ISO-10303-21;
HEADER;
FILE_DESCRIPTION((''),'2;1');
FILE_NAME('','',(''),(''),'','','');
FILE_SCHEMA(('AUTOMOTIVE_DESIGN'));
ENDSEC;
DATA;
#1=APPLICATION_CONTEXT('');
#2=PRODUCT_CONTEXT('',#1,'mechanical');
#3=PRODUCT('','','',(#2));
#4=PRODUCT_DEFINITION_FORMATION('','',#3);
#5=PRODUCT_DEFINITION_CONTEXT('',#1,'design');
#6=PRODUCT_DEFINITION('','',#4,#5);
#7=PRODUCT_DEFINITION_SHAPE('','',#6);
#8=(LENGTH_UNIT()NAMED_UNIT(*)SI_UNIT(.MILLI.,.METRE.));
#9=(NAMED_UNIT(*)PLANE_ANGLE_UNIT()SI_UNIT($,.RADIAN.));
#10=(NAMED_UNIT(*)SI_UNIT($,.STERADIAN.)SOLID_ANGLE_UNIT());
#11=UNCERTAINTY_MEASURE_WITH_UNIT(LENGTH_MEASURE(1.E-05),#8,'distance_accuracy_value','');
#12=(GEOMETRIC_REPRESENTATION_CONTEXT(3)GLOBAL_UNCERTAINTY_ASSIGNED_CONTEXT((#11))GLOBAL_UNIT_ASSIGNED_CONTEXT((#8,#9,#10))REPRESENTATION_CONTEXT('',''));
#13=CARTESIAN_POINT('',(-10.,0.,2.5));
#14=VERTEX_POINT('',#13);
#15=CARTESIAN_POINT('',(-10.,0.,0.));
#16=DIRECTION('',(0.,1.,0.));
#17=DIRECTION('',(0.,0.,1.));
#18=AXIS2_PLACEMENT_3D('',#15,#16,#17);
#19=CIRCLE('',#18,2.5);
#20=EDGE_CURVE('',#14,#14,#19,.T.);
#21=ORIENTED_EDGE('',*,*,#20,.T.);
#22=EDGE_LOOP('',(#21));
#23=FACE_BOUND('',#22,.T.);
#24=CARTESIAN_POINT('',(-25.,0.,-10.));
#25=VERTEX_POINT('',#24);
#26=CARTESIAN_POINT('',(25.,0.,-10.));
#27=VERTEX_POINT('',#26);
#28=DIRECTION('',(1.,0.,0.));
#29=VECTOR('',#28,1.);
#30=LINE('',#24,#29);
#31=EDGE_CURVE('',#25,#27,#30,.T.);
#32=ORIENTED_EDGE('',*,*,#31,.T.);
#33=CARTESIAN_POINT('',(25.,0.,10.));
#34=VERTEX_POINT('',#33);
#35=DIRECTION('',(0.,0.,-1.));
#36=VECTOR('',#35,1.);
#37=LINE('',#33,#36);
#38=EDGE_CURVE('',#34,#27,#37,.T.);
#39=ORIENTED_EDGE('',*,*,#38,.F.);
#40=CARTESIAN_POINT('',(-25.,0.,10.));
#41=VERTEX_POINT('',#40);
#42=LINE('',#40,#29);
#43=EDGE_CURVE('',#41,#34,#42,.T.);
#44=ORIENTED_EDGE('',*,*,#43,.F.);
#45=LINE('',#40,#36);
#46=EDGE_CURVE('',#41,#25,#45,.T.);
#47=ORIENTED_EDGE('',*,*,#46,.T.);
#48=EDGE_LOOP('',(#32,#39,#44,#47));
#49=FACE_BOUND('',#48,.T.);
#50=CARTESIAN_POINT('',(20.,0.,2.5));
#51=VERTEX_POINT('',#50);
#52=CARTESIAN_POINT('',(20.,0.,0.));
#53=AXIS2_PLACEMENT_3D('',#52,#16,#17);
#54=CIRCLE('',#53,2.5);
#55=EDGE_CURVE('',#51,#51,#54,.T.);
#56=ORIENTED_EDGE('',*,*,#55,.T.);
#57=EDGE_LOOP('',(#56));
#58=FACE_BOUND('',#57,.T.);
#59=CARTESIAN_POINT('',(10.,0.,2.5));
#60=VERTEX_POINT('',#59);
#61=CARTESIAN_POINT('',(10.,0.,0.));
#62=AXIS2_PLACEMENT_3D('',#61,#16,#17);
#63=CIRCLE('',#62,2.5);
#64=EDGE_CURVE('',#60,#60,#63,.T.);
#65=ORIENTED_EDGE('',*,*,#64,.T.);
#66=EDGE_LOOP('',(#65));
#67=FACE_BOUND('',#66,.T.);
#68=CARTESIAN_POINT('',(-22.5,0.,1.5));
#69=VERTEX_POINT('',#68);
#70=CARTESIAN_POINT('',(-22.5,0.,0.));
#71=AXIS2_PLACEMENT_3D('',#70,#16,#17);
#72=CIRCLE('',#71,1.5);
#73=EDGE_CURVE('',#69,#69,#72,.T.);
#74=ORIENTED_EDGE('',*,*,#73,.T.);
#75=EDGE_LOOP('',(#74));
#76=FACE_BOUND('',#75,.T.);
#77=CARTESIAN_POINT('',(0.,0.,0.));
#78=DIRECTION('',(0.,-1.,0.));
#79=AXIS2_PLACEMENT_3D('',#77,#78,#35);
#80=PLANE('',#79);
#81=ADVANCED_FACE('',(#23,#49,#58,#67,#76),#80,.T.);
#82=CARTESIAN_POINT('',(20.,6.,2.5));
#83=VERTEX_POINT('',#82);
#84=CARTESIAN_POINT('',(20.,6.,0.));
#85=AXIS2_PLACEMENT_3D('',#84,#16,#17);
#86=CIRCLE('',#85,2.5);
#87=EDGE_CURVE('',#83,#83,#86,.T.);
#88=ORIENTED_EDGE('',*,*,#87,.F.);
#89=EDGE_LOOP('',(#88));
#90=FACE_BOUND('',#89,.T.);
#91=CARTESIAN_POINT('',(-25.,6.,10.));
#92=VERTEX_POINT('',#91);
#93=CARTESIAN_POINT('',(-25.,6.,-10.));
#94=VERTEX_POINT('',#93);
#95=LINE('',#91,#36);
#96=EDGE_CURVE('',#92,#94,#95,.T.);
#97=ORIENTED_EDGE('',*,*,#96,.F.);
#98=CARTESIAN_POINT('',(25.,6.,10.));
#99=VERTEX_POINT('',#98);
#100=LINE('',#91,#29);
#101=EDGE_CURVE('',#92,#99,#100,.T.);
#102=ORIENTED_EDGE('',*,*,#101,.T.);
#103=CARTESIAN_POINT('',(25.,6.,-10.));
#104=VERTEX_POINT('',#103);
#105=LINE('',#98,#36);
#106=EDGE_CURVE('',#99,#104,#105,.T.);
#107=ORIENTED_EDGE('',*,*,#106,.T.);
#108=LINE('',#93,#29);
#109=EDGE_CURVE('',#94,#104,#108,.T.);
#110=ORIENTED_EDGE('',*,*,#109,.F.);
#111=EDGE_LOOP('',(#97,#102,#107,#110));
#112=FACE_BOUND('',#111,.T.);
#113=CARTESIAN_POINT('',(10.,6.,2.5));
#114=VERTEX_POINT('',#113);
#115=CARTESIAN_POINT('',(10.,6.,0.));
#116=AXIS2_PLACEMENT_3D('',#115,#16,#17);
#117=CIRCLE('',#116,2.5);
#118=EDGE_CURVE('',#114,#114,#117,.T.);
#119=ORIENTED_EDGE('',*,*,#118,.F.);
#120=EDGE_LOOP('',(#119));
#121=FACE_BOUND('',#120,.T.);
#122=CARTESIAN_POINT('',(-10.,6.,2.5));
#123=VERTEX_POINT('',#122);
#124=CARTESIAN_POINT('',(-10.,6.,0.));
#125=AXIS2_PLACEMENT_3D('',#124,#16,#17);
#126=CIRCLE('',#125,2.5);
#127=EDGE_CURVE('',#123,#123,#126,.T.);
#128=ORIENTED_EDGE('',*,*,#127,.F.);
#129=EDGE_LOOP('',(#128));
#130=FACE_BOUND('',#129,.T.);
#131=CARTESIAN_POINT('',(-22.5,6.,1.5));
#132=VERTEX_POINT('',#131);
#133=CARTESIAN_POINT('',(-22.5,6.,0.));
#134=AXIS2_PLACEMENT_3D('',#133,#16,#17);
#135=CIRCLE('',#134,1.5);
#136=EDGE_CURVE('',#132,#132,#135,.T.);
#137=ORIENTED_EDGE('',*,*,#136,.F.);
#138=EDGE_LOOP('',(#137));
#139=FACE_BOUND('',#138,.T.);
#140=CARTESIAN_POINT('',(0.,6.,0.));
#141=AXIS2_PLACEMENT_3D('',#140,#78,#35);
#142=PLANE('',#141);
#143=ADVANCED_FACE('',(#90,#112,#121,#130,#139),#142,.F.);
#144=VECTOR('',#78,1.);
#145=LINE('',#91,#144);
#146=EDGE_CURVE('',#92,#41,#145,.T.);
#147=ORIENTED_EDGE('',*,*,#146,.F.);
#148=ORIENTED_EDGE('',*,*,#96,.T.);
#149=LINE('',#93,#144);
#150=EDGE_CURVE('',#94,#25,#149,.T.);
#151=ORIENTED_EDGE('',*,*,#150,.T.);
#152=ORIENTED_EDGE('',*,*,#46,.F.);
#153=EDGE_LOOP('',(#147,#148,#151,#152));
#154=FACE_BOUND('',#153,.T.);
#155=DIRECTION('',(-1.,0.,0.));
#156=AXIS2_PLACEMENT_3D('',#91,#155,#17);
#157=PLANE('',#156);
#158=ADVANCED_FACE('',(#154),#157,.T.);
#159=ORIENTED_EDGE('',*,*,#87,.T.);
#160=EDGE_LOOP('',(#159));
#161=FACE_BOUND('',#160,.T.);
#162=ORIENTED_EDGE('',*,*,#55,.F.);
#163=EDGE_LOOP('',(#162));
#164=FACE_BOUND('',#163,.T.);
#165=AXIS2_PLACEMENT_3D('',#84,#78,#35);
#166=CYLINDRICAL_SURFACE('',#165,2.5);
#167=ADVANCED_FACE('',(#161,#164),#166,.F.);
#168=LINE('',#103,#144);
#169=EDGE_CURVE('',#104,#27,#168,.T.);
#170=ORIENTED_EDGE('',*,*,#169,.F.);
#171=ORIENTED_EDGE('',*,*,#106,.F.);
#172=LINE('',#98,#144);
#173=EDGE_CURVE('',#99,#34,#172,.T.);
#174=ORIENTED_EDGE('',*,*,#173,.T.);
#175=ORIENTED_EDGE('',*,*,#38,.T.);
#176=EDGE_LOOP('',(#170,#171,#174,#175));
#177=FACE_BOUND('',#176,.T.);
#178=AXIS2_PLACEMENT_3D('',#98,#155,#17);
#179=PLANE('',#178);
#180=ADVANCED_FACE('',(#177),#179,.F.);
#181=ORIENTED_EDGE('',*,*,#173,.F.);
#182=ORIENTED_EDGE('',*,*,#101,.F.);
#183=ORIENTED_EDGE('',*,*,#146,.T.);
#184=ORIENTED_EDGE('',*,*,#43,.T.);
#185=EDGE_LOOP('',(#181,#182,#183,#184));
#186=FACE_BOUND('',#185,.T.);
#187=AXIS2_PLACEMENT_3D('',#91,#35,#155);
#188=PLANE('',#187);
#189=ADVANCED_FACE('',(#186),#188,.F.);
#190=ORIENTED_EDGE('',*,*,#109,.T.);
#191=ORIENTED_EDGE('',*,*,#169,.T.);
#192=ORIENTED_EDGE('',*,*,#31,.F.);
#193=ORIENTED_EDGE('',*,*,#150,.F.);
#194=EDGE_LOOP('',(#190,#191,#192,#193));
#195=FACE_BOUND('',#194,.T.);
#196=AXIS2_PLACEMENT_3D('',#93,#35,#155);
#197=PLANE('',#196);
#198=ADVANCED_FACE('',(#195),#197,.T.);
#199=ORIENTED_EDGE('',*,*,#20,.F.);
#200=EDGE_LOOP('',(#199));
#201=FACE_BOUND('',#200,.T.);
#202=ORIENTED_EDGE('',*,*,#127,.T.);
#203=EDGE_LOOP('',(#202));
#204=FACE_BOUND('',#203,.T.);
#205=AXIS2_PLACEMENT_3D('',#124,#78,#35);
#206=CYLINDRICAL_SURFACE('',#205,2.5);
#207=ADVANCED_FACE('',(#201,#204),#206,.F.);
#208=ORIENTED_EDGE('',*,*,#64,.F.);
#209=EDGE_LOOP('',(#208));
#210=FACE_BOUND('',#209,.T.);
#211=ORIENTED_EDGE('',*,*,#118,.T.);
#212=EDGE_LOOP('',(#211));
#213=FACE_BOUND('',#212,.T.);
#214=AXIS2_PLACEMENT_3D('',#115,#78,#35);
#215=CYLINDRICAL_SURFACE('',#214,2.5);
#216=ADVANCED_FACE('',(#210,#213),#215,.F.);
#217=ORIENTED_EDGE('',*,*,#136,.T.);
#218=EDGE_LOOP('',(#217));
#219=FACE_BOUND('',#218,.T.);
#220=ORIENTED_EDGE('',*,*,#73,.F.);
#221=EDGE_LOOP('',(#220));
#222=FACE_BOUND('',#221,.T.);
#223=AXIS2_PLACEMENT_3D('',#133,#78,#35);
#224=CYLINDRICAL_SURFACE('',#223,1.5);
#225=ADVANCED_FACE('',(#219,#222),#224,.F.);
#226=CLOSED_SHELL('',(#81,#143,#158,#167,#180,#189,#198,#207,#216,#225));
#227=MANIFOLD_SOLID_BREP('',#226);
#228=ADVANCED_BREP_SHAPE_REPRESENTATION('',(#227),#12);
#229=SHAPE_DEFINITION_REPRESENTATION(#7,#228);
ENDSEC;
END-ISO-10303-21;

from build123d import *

# Parameters (mm, degrees)
SKETCH1_W           = 50
SKETCH1_H           = 20
BOSS_EXTRUDE1_DEPTH = 6
SKETCH1_3_R         = 2.5
SKETCH1_3_R_2       = 1.5
CUT_EXTRUDE1_DEPTH  = 6


with BuildPart() as part:
    # Sketch1 → Boss-Extrude1 (new body)
    with BuildSketch(Plane(origin=(0, 0, 0), x_dir=(1, 0, 0), z_dir=(0, 1, 0))):
        Rectangle(SKETCH1_W, SKETCH1_H)
    extrude(amount=BOSS_EXTRUDE1_DEPTH)

    # Sketch1<3> → Cut-Extrude1 (cut)
    with BuildSketch(Plane(origin=(0, 0, 0), x_dir=(1, 0, 0), z_dir=(0, 1, 0))):
        with Locations((20, 0)):
            Circle(SKETCH1_3_R)
        with Locations((-10, 0)):
            Circle(SKETCH1_3_R)
        with Locations((10, 0)):
            Circle(SKETCH1_3_R)
        with Locations((-22.5, 0)):
            Circle(SKETCH1_3_R_2)
    extrude(amount=CUT_EXTRUDE1_DEPTH, mode=Mode.SUBTRACT)


solid = part.part
